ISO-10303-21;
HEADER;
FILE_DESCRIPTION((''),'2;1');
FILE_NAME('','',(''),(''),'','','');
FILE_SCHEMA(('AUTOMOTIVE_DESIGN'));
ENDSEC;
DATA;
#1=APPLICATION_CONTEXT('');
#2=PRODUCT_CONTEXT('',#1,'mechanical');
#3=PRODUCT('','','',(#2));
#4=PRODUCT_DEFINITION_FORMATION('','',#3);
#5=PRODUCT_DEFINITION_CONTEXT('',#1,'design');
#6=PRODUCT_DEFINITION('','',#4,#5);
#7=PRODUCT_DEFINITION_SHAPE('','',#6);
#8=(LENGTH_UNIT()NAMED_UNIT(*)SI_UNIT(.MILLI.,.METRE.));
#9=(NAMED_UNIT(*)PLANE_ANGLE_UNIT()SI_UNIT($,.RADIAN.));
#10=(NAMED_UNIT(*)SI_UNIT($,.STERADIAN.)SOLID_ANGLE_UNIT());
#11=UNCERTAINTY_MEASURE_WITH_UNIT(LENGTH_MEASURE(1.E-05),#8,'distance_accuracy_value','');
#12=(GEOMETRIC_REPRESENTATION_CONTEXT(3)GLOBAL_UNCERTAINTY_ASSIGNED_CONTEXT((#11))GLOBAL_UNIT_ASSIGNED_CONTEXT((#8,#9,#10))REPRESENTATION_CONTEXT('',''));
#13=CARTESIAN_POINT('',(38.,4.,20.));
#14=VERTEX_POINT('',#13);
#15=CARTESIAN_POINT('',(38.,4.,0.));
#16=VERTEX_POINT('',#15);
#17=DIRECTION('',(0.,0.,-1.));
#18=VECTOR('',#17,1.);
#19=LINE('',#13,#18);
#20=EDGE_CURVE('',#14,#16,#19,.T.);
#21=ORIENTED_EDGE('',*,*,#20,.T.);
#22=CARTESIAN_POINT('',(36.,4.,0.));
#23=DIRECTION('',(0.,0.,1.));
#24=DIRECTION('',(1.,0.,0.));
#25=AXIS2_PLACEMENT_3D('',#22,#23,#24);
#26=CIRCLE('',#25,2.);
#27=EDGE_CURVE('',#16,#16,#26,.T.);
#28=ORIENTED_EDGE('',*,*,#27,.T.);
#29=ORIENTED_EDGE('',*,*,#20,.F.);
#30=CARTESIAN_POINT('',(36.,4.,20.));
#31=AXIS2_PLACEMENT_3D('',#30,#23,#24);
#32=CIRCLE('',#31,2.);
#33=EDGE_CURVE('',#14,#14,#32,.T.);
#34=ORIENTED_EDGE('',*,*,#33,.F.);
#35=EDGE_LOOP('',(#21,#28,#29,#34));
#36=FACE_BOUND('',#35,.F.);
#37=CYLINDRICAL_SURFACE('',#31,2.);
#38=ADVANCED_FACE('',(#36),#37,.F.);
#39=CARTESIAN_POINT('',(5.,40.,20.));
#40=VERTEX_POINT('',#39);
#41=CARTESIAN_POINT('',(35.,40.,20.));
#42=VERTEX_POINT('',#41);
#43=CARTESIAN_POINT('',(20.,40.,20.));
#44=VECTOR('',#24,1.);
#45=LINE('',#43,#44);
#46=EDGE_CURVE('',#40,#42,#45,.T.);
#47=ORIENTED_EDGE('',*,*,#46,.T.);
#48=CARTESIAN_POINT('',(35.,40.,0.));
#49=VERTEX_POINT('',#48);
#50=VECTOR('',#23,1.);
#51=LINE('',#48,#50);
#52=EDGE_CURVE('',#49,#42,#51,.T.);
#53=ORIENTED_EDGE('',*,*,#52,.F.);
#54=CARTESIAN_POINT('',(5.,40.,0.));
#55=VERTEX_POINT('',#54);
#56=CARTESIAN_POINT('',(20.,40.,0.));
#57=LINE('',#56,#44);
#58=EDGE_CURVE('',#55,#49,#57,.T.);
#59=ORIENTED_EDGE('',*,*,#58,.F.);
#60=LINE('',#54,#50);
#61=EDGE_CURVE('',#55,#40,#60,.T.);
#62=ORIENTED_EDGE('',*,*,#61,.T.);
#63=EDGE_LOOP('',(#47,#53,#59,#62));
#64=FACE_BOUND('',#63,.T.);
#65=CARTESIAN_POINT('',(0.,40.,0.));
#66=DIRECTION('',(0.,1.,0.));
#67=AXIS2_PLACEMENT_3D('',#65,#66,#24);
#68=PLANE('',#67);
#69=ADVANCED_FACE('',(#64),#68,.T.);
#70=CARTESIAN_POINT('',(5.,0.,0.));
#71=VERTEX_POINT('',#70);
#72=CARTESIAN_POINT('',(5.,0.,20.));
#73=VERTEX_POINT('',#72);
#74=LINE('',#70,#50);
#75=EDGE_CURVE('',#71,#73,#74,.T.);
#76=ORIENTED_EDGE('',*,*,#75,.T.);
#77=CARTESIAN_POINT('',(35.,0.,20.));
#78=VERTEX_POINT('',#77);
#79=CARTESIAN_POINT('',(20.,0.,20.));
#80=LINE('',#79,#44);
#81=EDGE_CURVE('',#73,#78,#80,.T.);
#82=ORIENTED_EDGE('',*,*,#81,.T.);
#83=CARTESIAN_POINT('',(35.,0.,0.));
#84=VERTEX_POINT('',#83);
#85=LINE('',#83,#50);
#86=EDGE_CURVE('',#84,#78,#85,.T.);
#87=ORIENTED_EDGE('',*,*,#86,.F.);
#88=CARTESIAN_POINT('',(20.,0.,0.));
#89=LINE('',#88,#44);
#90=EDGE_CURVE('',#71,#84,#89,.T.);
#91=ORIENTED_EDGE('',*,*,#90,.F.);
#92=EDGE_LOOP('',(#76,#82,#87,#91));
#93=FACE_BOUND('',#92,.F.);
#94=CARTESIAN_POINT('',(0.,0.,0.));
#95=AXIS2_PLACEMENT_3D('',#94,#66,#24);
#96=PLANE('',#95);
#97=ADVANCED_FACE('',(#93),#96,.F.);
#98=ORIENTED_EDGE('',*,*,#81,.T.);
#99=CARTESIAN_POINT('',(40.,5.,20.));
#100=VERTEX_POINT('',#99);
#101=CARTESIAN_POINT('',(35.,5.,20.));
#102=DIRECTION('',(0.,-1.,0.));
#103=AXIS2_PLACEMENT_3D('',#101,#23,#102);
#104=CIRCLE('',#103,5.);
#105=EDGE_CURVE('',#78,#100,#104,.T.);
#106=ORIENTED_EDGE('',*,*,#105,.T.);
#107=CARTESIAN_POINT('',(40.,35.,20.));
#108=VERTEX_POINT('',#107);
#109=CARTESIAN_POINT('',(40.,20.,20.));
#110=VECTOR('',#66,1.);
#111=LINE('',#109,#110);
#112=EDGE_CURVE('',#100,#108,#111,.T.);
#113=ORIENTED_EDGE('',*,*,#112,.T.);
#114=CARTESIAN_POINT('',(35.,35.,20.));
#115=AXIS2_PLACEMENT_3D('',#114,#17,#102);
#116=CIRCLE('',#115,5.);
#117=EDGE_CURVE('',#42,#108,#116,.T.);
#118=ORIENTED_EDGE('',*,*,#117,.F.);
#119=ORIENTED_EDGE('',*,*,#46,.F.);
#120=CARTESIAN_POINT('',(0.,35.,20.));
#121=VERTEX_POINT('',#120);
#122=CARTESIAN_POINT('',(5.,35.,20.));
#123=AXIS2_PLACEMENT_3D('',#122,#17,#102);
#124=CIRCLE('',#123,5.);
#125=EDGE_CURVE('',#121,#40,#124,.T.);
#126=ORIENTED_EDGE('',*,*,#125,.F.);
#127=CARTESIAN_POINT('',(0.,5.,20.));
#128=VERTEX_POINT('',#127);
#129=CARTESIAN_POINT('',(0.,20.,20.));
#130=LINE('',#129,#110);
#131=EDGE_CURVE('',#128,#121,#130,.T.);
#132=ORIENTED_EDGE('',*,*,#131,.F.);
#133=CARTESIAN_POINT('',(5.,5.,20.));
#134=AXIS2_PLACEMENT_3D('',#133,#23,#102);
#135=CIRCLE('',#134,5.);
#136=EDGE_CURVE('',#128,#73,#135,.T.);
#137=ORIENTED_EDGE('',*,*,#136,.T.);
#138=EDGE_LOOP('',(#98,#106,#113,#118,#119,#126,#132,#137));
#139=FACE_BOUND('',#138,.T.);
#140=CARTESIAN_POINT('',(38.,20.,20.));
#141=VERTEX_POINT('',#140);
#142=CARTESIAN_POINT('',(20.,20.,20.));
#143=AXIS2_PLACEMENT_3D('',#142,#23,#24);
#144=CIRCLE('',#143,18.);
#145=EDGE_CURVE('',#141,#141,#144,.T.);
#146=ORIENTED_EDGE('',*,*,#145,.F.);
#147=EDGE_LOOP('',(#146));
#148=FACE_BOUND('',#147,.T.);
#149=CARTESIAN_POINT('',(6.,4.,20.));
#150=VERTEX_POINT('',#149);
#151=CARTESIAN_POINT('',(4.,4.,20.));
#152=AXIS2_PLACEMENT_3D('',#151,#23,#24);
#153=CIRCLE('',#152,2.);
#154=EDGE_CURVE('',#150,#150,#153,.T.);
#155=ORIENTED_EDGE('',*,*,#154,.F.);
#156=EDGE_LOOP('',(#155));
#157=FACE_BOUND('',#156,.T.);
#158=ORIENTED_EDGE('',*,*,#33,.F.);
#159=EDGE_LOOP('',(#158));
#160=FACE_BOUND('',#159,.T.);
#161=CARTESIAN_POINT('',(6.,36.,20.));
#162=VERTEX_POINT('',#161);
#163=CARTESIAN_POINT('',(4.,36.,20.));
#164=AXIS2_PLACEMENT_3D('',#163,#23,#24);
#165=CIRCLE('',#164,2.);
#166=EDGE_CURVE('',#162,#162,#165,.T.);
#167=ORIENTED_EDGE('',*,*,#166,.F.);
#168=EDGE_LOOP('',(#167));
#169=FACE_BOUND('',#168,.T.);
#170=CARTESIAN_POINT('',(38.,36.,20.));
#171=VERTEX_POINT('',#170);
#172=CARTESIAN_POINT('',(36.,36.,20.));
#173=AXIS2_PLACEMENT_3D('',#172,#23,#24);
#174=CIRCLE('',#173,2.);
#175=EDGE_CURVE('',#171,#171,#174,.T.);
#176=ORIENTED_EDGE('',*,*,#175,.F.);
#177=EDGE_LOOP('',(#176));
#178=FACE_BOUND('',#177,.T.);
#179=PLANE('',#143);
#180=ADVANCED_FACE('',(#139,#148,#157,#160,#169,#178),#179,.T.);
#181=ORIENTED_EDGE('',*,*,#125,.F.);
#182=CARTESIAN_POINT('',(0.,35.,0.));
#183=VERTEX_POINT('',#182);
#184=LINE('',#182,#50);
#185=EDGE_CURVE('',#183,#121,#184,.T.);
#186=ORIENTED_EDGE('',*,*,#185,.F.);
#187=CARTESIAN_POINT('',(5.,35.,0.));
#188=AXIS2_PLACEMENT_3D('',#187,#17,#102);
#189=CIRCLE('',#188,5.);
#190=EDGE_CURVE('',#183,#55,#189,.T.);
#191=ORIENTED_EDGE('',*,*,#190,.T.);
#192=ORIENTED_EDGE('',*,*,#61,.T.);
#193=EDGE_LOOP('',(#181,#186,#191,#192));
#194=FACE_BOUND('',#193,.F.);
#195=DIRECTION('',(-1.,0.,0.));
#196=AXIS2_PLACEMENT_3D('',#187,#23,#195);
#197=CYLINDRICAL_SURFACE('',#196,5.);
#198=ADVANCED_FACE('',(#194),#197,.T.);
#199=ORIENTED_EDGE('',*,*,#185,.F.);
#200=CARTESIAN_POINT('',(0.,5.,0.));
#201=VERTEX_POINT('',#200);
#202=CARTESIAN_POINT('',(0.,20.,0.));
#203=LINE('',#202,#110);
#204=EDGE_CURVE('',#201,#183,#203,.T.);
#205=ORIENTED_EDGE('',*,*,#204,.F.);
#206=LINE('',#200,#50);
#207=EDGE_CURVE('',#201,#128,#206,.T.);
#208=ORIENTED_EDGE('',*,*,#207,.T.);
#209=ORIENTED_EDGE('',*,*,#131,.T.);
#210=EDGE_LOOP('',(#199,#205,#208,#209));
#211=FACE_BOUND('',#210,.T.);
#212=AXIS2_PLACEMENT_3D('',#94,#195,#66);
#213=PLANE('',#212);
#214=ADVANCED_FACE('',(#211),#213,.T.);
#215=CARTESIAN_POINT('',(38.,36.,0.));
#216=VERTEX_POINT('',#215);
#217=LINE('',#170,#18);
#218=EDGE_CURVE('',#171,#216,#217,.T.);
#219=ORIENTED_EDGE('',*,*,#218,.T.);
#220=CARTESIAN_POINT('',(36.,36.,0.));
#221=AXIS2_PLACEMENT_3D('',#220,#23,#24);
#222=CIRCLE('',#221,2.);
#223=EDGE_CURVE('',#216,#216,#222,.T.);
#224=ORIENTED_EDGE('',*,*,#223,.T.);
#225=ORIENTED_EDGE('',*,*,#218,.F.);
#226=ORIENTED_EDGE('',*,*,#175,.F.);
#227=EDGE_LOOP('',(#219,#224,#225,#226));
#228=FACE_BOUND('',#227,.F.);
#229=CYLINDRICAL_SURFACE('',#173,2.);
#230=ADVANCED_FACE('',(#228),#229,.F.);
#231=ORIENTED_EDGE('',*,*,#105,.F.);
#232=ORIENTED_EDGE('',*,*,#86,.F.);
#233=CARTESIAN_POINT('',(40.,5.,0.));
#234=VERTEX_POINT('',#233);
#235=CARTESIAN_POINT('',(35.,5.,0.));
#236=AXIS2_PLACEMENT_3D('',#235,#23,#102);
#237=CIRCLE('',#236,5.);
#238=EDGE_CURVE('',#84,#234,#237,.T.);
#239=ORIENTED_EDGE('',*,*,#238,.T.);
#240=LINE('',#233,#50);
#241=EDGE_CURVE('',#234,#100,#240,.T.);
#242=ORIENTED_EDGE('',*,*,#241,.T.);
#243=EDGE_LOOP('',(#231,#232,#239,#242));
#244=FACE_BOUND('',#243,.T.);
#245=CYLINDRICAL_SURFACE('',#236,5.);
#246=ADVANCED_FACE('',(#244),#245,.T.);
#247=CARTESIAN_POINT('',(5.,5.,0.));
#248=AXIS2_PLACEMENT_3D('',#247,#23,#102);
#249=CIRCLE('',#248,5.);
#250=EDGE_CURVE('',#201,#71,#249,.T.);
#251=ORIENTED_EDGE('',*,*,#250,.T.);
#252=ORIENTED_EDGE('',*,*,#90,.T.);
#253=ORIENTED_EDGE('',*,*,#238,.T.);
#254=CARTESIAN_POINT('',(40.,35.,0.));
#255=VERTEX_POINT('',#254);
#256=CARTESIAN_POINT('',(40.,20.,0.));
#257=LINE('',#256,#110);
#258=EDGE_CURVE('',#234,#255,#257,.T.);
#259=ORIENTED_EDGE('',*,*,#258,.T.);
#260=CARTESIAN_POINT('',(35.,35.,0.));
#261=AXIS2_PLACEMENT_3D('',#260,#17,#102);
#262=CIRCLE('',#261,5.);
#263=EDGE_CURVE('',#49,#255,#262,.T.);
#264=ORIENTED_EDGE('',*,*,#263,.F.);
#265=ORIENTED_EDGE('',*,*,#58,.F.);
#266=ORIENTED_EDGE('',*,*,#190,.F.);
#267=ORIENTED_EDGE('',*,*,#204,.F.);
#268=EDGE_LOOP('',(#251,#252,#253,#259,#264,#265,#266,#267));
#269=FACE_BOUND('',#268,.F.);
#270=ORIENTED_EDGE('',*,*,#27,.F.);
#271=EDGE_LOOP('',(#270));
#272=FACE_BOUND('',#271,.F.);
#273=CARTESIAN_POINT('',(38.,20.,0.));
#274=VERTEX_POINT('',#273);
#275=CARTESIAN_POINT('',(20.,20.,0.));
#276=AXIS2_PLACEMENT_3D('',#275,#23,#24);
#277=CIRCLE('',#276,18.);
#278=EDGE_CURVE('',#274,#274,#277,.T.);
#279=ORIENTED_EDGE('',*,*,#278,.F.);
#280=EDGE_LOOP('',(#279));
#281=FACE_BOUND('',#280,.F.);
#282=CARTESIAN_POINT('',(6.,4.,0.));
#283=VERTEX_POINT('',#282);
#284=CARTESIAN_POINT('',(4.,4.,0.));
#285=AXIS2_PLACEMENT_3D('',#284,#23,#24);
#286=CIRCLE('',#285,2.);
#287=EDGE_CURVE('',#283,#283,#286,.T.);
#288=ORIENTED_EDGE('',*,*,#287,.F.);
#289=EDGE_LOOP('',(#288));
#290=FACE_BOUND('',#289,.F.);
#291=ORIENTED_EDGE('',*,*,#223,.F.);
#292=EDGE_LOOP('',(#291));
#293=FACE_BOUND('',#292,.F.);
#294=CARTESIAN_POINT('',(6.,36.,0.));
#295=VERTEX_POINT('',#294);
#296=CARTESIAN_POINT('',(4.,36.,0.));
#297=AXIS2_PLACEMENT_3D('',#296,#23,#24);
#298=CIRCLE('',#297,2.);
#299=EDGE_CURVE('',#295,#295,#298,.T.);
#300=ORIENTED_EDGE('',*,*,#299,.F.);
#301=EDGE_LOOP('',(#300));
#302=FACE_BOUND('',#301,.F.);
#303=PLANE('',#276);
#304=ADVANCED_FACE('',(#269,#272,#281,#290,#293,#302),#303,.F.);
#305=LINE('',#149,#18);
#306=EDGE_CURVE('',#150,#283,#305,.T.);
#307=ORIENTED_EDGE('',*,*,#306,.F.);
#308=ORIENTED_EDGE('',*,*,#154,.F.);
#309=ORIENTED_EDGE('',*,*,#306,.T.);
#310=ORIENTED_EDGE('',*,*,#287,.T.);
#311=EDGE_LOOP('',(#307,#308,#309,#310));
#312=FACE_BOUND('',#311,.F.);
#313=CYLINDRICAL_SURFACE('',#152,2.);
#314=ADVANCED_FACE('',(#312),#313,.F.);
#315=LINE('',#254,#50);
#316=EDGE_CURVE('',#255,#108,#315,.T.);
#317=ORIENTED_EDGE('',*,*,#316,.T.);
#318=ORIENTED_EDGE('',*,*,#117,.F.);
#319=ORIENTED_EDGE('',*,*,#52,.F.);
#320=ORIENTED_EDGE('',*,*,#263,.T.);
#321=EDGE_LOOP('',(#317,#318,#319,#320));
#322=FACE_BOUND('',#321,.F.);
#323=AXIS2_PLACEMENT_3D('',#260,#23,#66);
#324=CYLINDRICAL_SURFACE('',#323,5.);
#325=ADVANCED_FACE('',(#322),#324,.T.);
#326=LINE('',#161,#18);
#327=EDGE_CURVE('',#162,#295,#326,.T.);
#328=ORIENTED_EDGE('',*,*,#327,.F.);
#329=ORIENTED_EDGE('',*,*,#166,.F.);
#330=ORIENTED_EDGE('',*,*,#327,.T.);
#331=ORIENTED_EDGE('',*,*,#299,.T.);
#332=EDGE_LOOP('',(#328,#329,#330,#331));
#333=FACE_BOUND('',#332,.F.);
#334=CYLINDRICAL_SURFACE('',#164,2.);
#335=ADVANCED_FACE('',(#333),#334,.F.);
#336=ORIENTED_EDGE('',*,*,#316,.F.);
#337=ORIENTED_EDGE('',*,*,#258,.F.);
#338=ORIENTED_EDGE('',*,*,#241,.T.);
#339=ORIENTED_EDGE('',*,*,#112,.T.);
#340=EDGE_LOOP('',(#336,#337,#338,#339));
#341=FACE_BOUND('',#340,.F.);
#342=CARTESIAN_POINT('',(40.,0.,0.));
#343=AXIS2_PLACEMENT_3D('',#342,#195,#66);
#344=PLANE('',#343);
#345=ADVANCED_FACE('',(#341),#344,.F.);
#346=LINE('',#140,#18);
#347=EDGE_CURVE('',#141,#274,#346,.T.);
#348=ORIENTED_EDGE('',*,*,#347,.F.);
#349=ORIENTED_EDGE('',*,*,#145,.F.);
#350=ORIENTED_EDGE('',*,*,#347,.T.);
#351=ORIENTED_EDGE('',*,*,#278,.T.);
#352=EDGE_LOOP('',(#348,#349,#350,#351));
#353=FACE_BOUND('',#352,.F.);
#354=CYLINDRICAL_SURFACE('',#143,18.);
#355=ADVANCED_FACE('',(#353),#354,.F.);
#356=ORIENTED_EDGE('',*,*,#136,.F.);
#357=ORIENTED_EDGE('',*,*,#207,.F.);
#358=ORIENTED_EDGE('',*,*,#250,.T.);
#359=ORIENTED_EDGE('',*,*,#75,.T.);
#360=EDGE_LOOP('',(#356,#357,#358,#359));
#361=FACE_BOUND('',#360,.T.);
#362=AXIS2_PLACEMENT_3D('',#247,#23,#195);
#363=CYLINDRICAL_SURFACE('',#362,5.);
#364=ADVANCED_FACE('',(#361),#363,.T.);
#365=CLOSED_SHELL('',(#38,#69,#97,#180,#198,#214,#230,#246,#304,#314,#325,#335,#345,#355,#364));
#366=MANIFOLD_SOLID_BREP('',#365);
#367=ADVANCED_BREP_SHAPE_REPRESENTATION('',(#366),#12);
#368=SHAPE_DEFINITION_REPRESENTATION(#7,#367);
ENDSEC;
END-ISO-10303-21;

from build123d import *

# Parameters (mm, degrees)
F0_W     = 40
F0_H     = 40
F1_DEPTH = 20
F2_R     = 2
F3_DEPTH = 25
F4_R     = 18
F5_DEPTH = 25
F6_R     = 5


with BuildPart() as f1:
    # F0 (on Top) → F1 (new body)
    with BuildSketch(Plane.XY):
        with Locations((20, 20)):
            Rectangle(F0_W, F0_H)
    extrude(amount=F1_DEPTH)

    # F2 (on face) → F3 (cut)
    with BuildSketch(Plane.XY.offset(20)):
        with Locations((4, 36)):
            Circle(F2_R)
        with Locations((36, 36)):
            Circle(F2_R)
        with Locations((36, 4)):
            Circle(F2_R)
        with Locations((4, 4)):
            Circle(F2_R)
    extrude(amount=-F3_DEPTH, mode=Mode.SUBTRACT)

    # F4 (on face) → F5 (cut)
    with BuildSketch(Plane.XY.offset(20)):
        with Locations((20, 20)):
            Circle(F4_R)
    extrude(amount=-F5_DEPTH, mode=Mode.SUBTRACT)

    # F6
    f6_edges = [f1.edges().sort_by_distance(p)[0] for p in [
        (0, 0, 10),
        (0, 40, 10),
        (40, 40, 10),
        (40, 0, 10),
    ]]
    fillet(f6_edges, radius=F6_R)


solid = f1.part
